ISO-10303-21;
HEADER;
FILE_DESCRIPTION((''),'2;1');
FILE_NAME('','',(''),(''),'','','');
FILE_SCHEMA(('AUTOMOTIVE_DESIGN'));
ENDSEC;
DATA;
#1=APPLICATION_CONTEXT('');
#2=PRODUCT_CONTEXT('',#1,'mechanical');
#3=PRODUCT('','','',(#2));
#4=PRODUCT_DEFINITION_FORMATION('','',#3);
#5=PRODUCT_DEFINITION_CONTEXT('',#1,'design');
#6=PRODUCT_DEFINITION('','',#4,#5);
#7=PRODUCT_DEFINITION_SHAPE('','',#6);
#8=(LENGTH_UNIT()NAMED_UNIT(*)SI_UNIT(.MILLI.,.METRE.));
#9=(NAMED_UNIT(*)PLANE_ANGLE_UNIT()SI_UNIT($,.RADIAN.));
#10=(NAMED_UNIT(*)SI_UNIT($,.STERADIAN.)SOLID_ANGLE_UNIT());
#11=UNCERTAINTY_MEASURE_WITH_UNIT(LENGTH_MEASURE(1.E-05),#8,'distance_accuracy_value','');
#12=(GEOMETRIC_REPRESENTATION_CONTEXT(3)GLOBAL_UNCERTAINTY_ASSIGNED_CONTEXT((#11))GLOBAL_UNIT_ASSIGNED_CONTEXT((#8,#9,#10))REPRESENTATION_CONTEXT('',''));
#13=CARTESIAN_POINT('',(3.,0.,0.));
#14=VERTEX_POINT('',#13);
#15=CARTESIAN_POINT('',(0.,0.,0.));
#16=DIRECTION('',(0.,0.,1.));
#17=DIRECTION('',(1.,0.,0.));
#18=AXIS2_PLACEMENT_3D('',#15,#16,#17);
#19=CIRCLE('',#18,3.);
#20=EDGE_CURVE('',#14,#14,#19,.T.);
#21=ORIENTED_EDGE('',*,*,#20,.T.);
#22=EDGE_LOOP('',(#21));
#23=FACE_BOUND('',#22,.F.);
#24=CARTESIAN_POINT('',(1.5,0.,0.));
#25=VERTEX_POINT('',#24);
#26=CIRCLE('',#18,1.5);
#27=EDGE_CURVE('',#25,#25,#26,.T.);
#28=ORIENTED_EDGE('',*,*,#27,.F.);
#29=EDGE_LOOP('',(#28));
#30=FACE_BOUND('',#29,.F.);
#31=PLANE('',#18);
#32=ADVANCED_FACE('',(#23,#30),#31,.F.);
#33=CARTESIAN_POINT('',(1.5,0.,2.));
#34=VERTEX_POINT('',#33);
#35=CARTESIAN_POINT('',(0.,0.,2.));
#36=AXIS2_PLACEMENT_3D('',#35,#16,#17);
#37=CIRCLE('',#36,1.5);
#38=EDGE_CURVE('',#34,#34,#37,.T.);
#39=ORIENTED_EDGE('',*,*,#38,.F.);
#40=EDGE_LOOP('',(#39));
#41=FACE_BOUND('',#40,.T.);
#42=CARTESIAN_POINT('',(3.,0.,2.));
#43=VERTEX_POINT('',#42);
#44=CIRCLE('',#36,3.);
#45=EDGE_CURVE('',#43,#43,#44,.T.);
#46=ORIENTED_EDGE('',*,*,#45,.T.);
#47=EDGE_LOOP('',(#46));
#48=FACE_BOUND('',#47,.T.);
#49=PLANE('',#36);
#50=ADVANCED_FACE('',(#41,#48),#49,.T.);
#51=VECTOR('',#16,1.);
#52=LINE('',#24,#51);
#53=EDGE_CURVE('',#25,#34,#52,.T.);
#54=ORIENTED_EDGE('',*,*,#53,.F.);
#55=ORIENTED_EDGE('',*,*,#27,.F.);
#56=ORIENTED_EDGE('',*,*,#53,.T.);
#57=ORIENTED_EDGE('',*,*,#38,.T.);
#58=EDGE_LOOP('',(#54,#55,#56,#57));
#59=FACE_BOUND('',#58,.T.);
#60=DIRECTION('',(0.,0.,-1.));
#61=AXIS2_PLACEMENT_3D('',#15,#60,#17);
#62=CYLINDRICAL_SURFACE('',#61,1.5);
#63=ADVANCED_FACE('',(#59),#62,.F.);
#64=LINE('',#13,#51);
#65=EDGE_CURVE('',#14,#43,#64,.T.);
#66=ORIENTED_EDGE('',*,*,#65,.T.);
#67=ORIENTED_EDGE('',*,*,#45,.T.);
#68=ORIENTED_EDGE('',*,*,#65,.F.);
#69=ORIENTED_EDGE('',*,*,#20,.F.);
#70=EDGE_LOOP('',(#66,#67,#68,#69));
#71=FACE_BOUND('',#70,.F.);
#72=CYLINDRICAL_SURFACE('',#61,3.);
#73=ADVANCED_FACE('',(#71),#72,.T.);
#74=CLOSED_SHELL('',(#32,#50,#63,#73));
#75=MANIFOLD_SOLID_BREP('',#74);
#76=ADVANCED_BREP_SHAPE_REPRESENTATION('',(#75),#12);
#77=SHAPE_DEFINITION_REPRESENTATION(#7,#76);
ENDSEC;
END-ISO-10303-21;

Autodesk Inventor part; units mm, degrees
ref_plane "YZ Plane" through (0, 0, 0) normal (1, 0, 0) x (0, 1, 0)
ref_plane "XZ Plane" through (0, 0, 0) normal (0, 1, 0) x (-1, 0, 0)
ref_plane "XY Plane" through (0, 0, 0) normal (0, 0, 1) x (1, 0, 0)
sketch "スケッチ1" plane through (0, 0, 0) normal (0, 0, 1) x (1, 0, 0)
  circle A0 centre (0, 0) radius 3
  circle A1 centre (0, 0) radius 1.5
  dimension "d0" = 6
  dimension "d1" = 3
extrude "押し出し1" add sketch "スケッチ1" along normal blind 2
properties part number "金属ワッシャー　内径3外形6　2mm" material "アルミニウム 2014-T4"
